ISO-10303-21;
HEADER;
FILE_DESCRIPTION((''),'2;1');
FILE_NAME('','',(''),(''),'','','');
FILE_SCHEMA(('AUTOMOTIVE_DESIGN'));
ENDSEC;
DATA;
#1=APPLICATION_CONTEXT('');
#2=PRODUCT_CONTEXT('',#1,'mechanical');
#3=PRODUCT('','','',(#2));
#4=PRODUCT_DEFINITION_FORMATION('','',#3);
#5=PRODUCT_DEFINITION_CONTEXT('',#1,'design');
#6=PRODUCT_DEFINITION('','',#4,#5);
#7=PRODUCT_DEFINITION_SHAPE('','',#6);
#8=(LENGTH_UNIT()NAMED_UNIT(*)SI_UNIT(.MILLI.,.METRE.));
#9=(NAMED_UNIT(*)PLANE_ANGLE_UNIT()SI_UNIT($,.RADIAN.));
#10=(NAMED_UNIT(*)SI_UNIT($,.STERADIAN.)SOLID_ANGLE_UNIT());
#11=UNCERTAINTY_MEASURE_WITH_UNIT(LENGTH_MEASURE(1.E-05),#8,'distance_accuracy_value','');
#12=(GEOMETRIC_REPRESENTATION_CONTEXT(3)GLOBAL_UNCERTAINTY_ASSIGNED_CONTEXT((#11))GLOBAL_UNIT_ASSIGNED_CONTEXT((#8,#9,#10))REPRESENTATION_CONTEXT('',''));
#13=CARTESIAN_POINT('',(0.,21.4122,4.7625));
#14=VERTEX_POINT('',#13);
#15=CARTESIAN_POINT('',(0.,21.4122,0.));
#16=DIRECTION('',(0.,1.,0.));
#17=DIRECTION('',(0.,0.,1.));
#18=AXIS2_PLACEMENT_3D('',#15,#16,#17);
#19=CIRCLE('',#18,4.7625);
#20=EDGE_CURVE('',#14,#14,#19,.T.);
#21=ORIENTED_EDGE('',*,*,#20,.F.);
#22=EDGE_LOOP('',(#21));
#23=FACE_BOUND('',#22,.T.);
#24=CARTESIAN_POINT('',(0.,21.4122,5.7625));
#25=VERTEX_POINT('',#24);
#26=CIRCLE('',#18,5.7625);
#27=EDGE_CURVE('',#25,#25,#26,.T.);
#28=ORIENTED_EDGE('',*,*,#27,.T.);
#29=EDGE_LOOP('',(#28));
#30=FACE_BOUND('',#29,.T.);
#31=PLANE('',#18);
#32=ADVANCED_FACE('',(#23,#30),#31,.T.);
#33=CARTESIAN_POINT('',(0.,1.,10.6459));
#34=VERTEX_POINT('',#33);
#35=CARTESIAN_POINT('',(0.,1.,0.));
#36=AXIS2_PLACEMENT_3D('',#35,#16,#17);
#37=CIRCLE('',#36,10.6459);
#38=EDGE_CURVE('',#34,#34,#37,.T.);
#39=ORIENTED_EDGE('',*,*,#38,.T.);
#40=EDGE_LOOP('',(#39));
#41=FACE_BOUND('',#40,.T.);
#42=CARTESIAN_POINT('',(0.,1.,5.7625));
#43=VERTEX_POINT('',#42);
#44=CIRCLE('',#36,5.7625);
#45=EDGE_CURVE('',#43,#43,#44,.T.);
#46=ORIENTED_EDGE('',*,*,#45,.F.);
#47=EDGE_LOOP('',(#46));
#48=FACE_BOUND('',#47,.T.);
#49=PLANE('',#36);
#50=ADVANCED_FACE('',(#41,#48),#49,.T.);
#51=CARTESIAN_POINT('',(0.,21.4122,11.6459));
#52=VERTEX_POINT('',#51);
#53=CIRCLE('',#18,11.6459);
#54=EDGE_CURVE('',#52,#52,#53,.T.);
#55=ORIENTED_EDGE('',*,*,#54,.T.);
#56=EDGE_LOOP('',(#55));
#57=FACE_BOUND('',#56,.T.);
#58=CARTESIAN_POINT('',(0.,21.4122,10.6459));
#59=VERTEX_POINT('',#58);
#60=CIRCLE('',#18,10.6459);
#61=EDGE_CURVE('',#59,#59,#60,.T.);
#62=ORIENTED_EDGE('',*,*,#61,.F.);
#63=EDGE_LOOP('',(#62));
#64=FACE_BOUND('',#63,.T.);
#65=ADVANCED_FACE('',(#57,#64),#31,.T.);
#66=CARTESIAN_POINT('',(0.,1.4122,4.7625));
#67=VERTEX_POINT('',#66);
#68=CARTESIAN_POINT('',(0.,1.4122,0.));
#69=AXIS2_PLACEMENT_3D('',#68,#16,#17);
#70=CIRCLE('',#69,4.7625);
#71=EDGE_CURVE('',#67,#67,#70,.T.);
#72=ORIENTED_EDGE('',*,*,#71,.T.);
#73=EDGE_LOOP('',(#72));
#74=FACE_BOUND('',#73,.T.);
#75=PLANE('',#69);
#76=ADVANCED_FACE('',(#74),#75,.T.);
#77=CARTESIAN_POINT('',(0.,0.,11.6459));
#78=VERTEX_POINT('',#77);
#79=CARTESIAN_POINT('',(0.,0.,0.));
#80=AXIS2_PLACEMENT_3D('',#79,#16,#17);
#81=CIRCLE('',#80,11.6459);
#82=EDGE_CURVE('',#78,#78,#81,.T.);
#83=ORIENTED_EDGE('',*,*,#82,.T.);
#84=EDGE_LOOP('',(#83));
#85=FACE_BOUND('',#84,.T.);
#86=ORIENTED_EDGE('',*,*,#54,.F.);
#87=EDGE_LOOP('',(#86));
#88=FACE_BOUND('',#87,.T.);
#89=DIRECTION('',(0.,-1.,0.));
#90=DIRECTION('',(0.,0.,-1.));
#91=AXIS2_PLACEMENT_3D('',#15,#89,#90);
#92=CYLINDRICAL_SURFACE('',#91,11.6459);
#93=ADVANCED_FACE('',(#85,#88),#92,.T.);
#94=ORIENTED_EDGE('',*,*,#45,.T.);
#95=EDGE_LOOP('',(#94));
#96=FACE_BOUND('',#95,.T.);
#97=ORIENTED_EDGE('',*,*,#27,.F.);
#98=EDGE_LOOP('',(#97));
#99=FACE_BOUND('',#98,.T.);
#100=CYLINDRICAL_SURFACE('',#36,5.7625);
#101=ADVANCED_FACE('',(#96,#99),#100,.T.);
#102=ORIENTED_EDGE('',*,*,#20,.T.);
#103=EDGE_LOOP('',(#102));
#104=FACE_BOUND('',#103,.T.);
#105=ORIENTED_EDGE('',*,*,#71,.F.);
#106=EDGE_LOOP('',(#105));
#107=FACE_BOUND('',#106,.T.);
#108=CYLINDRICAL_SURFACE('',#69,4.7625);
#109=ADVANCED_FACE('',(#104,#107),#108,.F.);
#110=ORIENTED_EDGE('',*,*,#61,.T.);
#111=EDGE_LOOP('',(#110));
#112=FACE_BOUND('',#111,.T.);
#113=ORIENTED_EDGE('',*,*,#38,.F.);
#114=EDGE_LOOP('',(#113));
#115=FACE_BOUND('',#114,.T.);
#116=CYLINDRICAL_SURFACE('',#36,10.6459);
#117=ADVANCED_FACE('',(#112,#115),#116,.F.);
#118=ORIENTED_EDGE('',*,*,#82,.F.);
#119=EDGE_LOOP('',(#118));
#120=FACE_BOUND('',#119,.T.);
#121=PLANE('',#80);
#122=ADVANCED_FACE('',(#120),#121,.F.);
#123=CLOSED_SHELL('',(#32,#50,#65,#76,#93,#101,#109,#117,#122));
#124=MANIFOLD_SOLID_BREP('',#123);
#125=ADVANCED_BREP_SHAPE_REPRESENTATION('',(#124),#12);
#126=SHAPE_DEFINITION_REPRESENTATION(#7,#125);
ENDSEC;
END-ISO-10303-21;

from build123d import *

# Parameters (mm, degrees)
SKETCH1_R            = 11.6459
MAIN_EXTRUSION_DEPTH = 21.4122
SKETCH2_R            = 4.7625
ID_BORE_DEPTH        = 20
SKETCH3_R            = 10.6459
SKETCH3_R_2          = 5.7625
SEAL_RECESS_DEPTH    = 20.4122


with BuildPart() as part:
    # Sketch1 → main extrusion (new body)
    with BuildSketch(Plane(origin=(0, 0, 0), x_dir=(1, 0, 0), z_dir=(0, 1, 0))):
        with Locations(Location((0, 0, 0), (0, 0, 270))):
            Circle(SKETCH1_R)
    extrude(amount=MAIN_EXTRUSION_DEPTH)

    # Sketch2 → ID bore (cut)
    with BuildSketch(Plane(origin=(0, 21.4122, 0), x_dir=(1, 0, 0), z_dir=(0, 1, 0))):
        with Locations(Location((0, 0, 0), (0, 0, 270))):
            Circle(SKETCH2_R)
    extrude(amount=-ID_BORE_DEPTH, mode=Mode.SUBTRACT)

    # Sketch3 → seal recess (cut)
    with BuildSketch(Plane(origin=(0, 21.4122, 0), x_dir=(1, 0, 0), z_dir=(0, 1, 0))):
        with Locations(Location((0, 0, 0), (0, 0, 270))):
            Circle(SKETCH3_R)
        with Locations(Location((0, 0, 0), (0, 0, 270))):
            Circle(SKETCH3_R_2, mode=Mode.SUBTRACT)
    extrude(amount=-SEAL_RECESS_DEPTH, mode=Mode.SUBTRACT)


solid = part.part
